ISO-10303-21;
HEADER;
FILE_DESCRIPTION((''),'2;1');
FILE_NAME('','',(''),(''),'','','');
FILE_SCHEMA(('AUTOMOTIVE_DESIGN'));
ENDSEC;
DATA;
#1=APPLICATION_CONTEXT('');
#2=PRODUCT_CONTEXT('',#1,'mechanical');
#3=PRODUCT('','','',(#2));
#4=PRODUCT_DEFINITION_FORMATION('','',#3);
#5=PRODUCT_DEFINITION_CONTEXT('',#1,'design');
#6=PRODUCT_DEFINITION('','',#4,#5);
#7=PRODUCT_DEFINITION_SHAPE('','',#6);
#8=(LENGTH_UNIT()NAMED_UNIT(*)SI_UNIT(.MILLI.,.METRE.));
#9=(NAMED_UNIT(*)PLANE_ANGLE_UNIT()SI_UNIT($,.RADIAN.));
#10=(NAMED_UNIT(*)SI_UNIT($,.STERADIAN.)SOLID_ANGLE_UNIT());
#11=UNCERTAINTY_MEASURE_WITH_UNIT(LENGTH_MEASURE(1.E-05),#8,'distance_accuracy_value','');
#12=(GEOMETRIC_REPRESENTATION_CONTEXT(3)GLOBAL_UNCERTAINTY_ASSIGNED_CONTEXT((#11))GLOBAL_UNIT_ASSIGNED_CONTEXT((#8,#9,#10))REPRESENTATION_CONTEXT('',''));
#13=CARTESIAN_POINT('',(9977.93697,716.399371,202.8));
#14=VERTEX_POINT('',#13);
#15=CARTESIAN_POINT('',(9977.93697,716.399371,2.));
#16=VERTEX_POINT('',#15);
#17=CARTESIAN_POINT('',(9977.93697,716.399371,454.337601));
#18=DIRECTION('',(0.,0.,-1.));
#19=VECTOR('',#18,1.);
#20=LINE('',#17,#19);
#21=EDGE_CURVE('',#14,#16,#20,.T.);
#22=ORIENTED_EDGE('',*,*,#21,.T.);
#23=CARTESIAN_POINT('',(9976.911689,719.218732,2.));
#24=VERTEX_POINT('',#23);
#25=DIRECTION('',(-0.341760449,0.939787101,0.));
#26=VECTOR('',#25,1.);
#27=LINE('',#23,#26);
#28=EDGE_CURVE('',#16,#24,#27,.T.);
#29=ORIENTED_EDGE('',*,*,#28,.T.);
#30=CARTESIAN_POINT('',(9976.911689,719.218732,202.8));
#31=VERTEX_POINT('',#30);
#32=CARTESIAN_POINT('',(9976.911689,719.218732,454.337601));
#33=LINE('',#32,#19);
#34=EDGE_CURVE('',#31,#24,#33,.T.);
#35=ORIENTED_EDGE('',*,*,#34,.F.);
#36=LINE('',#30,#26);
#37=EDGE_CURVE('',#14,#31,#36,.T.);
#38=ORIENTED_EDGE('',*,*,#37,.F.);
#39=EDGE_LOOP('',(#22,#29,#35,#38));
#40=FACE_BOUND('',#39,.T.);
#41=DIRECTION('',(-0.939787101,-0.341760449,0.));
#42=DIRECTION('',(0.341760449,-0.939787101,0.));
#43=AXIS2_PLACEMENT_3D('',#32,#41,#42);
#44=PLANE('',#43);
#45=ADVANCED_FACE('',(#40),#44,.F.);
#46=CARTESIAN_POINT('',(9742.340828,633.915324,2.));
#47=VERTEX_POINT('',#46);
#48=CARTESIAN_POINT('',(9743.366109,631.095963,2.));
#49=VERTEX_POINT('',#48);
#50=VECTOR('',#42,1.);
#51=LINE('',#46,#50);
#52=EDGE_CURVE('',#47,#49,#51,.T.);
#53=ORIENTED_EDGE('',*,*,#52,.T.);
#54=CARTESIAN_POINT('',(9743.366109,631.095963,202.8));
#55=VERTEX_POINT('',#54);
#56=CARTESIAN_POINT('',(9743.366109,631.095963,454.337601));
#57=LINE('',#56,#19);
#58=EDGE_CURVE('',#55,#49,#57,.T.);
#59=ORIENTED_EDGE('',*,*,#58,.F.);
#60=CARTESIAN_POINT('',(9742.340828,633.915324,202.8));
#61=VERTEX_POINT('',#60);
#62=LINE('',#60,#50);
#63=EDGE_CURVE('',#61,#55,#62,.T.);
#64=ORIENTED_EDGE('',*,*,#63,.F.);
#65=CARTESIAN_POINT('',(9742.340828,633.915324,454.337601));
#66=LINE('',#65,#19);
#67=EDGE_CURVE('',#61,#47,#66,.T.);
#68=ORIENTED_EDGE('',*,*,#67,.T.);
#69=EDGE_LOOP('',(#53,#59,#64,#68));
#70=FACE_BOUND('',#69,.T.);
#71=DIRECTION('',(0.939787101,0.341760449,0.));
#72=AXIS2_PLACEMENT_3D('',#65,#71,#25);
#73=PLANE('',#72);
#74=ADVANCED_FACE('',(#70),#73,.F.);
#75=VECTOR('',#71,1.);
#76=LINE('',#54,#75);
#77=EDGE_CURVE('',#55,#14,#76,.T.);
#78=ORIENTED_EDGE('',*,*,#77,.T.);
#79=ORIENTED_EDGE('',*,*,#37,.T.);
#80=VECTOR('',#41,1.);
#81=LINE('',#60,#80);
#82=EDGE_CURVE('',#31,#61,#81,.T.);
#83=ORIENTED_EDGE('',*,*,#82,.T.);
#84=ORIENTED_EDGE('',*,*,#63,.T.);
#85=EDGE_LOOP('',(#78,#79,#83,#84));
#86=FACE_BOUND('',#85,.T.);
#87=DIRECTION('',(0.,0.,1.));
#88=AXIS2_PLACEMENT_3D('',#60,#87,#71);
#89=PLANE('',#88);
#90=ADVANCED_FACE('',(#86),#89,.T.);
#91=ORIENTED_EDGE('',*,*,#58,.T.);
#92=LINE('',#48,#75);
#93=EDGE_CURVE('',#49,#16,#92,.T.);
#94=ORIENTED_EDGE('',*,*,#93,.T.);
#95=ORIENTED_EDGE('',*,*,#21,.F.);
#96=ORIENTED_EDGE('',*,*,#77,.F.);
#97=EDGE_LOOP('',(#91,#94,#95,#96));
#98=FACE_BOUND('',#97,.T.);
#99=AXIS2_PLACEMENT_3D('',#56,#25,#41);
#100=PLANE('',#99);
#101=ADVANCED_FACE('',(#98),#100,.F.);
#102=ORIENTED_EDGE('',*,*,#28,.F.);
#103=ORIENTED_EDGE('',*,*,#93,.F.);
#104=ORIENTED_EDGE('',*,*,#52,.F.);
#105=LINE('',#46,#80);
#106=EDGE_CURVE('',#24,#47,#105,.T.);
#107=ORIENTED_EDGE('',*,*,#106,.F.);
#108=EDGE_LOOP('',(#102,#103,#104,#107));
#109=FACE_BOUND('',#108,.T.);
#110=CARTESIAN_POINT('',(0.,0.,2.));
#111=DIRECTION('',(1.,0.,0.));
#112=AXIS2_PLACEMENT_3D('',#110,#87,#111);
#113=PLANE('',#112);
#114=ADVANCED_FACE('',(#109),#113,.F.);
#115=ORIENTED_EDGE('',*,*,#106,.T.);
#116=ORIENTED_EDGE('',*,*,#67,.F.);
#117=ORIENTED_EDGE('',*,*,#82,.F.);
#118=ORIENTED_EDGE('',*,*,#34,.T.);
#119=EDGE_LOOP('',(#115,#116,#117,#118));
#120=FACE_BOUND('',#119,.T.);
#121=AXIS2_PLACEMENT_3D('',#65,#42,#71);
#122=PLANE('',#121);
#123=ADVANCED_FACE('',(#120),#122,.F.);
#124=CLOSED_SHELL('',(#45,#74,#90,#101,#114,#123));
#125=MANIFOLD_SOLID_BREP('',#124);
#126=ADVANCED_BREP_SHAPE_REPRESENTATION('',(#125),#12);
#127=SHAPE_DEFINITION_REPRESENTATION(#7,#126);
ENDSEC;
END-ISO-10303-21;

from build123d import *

# Parameters (mm, degrees)
BOSS_EXTRUDE1_DEPTH = 200.8


with BuildPart() as part:
    # Sketch2 → Boss-Extrude1 (new body)
    with BuildSketch(Plane.XY.offset(2)):
        Polygon((9742.340828056, 633.915324322), (9976.911688501, 719.218732404), (9977.936969848, 716.399371101), (9743.366109403, 631.095963019), align=None)
    extrude(amount=BOSS_EXTRUDE1_DEPTH)


solid = part.part
